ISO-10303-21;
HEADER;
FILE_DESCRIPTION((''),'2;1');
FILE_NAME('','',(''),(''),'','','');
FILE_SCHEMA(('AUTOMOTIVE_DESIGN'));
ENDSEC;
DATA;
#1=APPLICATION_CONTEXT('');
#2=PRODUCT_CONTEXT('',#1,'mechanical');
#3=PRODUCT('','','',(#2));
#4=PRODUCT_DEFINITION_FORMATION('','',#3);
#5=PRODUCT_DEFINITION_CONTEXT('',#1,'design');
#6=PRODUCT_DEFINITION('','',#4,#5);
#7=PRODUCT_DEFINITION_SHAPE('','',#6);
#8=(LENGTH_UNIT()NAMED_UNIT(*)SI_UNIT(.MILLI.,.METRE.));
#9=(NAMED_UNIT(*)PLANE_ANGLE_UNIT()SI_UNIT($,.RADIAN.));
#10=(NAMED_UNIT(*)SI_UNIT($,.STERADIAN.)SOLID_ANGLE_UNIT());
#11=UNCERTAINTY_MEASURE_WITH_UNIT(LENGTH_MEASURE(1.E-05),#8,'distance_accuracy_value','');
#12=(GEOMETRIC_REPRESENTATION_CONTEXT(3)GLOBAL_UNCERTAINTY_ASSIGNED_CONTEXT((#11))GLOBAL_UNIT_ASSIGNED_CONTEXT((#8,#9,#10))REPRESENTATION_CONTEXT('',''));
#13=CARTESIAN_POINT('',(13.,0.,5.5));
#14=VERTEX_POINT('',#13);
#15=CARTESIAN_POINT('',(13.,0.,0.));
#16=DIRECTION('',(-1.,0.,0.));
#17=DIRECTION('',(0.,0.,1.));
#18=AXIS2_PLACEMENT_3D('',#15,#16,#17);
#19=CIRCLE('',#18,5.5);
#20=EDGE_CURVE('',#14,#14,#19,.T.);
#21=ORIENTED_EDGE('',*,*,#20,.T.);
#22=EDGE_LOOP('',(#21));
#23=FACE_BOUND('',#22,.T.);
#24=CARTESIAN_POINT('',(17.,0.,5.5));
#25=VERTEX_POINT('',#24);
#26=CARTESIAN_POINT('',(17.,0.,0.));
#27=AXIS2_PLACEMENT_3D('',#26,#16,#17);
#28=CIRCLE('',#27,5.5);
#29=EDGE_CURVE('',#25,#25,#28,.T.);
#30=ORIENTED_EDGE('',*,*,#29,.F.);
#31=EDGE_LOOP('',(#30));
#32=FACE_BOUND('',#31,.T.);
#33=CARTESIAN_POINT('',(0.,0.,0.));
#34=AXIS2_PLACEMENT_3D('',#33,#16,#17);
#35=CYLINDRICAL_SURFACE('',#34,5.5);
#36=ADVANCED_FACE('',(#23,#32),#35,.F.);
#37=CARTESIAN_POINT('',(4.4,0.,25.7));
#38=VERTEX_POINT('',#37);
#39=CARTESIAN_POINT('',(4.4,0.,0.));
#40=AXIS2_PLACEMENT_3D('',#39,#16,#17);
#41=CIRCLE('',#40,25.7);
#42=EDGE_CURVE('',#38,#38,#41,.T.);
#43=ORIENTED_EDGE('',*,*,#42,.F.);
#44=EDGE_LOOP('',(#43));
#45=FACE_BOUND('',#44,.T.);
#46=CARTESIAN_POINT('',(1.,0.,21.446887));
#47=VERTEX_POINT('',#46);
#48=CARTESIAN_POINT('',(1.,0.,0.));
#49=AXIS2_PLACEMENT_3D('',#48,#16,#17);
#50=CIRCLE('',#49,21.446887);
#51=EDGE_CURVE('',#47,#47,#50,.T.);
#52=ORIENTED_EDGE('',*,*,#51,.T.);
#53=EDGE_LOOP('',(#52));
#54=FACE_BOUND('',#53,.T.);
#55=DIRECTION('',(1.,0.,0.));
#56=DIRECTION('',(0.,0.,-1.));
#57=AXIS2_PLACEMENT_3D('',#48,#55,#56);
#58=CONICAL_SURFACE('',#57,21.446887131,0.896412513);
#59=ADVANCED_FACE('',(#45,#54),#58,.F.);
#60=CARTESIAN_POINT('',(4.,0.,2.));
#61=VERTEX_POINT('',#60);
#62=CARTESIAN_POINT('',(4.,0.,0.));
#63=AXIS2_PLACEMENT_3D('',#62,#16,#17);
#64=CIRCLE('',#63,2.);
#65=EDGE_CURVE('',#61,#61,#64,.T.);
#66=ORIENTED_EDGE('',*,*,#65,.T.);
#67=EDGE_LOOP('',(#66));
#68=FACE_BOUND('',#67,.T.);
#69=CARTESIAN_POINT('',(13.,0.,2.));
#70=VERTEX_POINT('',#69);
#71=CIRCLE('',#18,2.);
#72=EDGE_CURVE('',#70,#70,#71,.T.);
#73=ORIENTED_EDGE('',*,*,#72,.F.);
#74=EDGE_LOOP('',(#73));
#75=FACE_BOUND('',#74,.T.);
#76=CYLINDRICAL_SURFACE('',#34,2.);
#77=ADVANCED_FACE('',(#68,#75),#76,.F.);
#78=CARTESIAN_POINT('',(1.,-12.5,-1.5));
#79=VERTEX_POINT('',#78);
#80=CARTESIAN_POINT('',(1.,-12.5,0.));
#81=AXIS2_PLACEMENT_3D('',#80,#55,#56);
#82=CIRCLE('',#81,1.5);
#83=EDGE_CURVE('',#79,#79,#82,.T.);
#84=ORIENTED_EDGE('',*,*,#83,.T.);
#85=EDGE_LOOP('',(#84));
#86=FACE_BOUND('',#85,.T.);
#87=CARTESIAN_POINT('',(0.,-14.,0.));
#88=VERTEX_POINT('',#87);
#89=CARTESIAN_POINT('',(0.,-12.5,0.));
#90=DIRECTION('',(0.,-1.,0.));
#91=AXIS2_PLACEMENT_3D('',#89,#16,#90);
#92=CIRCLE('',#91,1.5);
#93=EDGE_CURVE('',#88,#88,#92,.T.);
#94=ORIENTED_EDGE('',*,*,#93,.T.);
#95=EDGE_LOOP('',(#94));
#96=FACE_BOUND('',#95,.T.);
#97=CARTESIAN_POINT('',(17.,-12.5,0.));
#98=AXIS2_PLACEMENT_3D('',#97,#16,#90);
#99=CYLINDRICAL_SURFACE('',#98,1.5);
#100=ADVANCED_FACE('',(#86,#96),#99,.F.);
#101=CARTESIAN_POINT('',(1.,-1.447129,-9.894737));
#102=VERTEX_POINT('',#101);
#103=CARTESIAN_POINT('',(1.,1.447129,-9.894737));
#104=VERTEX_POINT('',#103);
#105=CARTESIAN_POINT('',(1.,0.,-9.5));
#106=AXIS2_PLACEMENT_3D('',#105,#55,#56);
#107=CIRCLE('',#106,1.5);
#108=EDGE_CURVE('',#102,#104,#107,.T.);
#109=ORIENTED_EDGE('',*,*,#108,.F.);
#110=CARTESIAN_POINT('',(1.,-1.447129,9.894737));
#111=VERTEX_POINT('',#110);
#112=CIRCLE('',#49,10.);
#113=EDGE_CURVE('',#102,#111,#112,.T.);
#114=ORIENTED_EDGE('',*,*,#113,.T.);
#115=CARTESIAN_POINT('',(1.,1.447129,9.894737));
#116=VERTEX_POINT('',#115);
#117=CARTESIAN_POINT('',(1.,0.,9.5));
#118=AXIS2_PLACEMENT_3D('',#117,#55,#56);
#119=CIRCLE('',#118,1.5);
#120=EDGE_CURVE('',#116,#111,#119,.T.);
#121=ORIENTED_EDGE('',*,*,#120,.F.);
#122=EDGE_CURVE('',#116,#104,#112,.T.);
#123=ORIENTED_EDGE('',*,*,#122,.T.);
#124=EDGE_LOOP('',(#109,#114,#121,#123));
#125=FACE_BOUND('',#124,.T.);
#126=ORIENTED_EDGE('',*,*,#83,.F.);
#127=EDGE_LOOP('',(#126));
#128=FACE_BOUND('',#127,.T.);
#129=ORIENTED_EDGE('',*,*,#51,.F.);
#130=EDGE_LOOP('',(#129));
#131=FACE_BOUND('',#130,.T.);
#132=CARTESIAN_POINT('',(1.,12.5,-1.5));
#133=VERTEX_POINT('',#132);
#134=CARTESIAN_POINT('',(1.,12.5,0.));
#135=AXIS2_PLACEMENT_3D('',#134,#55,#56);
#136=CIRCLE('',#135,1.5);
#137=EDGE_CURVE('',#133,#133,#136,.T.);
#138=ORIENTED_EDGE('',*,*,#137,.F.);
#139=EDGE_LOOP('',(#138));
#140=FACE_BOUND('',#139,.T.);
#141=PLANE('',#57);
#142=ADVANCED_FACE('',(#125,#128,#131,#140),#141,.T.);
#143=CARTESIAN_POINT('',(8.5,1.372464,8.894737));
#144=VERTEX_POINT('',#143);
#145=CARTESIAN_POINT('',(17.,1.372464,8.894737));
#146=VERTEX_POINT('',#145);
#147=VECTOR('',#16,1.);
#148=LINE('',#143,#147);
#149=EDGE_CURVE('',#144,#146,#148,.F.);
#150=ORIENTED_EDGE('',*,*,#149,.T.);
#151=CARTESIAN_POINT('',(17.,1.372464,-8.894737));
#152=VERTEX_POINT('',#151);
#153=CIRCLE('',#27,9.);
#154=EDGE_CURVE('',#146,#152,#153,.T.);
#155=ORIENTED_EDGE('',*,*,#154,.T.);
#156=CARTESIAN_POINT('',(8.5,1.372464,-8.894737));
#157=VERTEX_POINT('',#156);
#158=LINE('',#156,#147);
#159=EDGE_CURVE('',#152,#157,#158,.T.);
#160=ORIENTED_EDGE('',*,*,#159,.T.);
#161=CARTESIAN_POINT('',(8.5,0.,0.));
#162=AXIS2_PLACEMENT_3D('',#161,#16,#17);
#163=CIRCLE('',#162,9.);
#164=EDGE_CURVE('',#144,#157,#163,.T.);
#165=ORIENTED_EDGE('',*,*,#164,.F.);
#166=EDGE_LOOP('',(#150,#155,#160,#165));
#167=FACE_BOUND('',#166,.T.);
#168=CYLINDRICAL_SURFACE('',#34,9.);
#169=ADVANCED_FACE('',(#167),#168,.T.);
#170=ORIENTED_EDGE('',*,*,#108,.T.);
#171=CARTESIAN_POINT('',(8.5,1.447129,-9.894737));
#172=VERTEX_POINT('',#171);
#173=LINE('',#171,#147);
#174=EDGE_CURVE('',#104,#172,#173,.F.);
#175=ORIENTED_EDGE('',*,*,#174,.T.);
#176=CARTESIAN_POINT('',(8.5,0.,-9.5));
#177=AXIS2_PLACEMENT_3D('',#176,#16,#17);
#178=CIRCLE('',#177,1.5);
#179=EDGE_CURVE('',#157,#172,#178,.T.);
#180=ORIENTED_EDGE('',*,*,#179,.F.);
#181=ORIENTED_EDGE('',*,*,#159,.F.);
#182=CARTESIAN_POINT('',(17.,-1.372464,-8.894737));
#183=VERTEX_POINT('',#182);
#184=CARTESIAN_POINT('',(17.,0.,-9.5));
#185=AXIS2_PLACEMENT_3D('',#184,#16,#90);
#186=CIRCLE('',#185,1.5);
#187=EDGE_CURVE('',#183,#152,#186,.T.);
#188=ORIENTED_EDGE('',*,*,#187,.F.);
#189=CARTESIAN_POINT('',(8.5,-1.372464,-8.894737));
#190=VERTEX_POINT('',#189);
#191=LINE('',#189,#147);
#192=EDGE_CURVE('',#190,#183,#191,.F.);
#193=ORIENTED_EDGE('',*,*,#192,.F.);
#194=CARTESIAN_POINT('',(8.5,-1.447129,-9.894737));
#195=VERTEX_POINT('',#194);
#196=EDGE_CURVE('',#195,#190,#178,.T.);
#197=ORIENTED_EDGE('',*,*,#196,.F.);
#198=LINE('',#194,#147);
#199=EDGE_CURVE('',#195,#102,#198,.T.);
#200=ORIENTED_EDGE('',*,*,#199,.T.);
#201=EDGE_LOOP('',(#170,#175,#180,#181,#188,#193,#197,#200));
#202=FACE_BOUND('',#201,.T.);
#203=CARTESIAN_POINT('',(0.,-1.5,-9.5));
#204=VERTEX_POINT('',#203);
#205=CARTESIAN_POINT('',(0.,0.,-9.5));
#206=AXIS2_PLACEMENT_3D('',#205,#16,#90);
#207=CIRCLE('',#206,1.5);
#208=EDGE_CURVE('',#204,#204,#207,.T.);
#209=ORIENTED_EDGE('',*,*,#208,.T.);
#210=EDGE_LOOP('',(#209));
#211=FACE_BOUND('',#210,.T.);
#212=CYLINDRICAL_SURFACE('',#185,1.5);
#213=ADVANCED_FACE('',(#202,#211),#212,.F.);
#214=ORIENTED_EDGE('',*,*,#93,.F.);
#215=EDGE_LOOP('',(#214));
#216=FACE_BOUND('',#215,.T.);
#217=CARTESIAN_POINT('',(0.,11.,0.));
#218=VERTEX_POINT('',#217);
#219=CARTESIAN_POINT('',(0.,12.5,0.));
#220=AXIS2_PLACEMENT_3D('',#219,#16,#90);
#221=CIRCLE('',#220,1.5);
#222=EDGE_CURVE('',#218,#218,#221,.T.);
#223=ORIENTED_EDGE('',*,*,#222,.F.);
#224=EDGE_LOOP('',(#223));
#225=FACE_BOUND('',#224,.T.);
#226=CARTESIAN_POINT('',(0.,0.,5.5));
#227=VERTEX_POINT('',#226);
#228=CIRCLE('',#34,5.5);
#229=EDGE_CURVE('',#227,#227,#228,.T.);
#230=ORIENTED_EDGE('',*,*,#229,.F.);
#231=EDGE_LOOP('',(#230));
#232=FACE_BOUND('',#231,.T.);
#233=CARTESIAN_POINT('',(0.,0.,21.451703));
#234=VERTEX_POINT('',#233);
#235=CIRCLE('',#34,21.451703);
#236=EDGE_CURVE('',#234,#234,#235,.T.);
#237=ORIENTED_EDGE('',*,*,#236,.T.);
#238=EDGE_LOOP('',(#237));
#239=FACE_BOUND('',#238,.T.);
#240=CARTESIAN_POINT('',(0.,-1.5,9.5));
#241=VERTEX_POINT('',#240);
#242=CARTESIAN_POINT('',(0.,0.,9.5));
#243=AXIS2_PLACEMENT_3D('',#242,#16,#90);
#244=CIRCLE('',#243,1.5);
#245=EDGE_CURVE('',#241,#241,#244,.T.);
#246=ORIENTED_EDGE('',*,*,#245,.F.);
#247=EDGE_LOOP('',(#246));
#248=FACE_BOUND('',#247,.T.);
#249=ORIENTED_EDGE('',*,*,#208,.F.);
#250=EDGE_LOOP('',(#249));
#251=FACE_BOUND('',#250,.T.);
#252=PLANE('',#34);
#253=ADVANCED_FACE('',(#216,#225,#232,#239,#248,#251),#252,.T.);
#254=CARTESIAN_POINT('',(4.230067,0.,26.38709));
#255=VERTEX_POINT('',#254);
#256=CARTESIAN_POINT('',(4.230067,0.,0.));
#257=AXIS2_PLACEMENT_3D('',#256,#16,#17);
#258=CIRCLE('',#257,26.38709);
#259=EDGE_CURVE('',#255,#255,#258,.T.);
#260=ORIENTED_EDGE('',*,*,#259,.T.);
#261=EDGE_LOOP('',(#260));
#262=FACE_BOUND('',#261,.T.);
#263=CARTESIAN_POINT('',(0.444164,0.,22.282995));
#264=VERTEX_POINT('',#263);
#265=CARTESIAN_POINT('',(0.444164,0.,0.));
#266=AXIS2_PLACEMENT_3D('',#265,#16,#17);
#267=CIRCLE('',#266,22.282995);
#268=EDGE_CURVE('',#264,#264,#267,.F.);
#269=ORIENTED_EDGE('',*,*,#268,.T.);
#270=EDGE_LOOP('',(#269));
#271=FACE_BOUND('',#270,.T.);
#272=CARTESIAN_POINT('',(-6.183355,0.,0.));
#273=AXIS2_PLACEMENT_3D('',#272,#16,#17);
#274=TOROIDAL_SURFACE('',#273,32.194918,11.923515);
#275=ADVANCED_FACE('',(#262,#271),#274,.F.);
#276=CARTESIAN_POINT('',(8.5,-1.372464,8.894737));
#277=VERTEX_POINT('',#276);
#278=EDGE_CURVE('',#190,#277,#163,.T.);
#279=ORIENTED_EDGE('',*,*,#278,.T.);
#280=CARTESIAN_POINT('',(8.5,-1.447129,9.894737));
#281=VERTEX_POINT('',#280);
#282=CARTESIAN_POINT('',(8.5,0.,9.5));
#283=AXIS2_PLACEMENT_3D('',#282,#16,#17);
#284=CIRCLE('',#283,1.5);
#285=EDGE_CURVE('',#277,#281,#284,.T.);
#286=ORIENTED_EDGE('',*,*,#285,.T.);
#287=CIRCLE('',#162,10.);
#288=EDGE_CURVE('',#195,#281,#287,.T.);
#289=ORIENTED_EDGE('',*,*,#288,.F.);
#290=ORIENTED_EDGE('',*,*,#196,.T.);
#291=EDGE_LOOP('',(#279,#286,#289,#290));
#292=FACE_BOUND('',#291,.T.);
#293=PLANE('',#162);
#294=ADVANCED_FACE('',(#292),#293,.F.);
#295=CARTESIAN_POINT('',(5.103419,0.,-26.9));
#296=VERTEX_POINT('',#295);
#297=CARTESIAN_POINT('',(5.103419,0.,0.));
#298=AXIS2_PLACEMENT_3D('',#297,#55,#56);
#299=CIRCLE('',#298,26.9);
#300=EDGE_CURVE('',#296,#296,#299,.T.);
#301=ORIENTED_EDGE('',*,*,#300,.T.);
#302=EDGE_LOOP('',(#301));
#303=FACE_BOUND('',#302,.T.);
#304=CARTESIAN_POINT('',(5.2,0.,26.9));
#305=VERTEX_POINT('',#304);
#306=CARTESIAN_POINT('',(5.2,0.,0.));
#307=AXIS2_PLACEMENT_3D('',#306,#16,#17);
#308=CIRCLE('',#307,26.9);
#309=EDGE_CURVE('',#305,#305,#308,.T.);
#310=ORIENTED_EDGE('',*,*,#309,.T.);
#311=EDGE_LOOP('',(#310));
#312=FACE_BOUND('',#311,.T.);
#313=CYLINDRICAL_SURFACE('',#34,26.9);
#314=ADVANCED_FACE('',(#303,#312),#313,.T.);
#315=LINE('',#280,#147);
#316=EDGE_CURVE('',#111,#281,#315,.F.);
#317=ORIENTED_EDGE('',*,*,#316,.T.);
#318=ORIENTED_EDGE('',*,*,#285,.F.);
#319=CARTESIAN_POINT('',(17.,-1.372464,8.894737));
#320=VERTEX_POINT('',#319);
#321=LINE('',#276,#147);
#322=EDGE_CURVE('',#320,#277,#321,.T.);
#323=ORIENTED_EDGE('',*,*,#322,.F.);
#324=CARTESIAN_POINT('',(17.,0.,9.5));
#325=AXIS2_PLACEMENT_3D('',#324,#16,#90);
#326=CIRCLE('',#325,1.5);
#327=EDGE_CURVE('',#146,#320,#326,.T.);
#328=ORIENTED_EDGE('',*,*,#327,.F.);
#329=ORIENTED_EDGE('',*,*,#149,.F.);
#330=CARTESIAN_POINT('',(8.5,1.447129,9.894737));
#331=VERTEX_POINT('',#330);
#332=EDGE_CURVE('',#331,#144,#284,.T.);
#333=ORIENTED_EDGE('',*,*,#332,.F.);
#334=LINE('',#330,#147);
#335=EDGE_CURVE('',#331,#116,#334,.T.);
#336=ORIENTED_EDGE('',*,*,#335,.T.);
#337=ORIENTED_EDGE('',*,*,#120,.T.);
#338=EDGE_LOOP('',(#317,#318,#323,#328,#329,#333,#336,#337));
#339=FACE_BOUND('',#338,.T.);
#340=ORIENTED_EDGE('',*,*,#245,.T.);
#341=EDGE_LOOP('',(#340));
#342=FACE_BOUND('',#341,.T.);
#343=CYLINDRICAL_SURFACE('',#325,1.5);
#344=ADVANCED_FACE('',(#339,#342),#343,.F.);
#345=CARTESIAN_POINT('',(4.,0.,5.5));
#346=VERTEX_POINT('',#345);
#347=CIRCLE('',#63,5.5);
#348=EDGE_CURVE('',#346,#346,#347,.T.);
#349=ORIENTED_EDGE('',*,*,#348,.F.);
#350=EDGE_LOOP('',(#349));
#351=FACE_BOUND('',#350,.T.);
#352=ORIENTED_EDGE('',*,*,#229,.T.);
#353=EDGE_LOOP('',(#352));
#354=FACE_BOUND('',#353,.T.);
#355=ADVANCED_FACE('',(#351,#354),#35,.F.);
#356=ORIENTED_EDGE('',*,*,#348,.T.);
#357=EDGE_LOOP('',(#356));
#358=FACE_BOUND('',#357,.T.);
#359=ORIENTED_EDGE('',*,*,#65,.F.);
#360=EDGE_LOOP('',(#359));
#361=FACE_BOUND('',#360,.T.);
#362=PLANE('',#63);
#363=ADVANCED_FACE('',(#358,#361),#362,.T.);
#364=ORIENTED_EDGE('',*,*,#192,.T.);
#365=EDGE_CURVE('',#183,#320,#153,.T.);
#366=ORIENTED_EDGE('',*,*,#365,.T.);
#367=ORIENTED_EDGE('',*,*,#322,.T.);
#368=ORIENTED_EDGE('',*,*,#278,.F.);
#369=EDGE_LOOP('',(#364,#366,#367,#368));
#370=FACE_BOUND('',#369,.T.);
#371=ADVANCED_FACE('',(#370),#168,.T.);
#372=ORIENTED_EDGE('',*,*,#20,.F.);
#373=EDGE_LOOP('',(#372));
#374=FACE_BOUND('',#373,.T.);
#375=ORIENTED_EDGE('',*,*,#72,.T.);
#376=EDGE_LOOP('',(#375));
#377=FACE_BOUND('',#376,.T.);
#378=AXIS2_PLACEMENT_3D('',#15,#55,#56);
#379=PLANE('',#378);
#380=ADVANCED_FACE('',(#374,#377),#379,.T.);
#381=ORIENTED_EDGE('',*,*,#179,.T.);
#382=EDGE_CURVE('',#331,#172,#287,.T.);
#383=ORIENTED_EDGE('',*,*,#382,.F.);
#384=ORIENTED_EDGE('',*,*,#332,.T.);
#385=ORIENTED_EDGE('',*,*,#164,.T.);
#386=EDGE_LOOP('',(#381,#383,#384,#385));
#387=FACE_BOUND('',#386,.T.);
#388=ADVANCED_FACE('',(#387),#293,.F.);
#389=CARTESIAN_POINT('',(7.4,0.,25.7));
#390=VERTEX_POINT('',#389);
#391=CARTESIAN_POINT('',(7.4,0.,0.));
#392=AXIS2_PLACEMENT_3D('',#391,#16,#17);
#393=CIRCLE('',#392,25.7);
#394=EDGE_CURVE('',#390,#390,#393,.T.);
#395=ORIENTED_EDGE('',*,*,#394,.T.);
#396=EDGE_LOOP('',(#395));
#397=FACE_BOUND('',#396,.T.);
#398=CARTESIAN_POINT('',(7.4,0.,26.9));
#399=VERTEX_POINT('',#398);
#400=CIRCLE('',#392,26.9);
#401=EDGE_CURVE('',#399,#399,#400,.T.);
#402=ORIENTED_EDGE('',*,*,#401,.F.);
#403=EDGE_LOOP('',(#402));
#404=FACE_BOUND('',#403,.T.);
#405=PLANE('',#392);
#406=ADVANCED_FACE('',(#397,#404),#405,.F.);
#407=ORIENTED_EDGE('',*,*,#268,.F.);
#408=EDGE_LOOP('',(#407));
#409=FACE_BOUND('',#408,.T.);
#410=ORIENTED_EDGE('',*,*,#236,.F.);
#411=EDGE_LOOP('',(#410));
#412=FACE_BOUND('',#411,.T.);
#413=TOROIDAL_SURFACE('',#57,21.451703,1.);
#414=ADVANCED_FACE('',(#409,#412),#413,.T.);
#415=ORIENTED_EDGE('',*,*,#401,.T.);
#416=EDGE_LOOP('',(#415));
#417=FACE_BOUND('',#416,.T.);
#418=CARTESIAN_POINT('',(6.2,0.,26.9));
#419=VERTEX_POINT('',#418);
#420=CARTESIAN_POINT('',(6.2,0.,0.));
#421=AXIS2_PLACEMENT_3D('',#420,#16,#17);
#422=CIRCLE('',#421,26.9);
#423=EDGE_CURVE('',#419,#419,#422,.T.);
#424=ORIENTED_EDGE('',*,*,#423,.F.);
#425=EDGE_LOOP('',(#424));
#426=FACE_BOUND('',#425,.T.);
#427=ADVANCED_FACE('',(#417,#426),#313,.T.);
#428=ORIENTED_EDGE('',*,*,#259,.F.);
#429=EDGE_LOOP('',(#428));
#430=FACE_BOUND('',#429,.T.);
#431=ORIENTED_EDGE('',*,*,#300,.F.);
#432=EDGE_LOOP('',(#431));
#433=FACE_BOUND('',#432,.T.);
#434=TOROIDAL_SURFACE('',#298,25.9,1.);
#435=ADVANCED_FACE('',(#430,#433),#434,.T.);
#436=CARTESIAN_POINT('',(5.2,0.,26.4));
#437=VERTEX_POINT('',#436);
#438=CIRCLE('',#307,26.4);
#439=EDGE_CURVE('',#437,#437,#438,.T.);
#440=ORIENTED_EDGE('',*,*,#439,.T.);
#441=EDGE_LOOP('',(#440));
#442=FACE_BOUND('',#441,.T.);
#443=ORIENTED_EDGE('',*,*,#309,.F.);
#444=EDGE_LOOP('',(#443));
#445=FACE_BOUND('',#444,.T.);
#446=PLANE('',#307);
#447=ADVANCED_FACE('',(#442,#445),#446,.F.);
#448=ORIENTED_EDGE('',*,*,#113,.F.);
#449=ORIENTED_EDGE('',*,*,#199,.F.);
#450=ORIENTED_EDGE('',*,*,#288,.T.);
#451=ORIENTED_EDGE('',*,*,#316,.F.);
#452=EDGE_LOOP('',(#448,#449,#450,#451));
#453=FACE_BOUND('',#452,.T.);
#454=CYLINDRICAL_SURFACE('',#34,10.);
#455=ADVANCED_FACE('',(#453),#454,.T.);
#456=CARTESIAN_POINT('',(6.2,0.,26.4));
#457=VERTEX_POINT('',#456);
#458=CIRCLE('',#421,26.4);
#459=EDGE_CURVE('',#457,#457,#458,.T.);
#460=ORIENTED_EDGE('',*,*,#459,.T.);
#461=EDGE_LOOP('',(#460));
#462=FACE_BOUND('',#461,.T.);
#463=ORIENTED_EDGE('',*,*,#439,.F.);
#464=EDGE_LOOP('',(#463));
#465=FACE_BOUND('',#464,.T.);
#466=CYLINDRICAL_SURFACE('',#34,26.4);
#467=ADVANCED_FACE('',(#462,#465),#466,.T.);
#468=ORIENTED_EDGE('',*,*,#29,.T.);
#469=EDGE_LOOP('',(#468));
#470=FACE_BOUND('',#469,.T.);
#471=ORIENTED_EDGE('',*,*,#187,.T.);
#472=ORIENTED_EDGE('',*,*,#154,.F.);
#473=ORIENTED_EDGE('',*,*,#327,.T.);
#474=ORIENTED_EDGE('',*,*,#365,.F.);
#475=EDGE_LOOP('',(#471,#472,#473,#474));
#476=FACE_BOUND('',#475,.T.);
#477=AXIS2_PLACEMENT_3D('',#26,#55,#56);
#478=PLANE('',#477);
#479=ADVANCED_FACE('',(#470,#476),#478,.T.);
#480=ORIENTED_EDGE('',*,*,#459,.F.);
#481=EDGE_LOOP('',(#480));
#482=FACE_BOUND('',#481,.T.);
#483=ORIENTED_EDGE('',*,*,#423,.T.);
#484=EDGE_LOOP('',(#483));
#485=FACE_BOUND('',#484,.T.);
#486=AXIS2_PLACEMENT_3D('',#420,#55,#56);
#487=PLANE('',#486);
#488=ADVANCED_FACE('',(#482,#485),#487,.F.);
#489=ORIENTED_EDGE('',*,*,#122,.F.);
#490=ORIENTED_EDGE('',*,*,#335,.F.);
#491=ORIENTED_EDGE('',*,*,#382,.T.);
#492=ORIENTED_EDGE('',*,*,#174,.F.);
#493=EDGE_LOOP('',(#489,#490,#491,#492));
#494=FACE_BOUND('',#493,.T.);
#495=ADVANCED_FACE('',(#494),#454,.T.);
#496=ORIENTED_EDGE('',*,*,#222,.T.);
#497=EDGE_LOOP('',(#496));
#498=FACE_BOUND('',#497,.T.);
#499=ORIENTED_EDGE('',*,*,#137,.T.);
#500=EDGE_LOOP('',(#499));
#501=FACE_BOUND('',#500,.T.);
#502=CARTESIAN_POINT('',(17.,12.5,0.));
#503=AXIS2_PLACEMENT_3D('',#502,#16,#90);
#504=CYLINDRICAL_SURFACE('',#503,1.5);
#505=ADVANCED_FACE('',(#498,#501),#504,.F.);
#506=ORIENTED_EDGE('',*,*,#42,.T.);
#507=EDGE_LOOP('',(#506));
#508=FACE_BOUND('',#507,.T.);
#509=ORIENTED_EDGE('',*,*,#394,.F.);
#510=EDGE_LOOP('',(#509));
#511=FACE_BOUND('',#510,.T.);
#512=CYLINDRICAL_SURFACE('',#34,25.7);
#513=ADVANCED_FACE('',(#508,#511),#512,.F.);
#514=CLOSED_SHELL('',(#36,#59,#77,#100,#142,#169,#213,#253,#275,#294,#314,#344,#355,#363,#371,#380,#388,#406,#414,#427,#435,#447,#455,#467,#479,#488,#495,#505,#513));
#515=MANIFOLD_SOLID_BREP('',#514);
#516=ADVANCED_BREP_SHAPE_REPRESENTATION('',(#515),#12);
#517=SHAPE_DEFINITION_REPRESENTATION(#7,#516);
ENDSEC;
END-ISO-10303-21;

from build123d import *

# Parameters (mm, degrees)
FILLET1_R          = 1
SKETCH3_R          = 1.5
CUT_EXTRUDE2_DEPTH = 42.667973917


with BuildPart() as part:
    # Sketch1 → Revolve1 (revolve)
    with BuildSketch(Plane.XY, mode=Mode.PRIVATE) as revolve1_sk:
        with BuildLine():
            Line((4, 2), (4, 5.5))
            Line((4, 5.5), (0, 5.5))
            Line((0, 5.5), (0, 22))
            ThreePointArc((0, 22), (2.598670777, 24.129792144), (4.5, 26.9))
            Line((4.5, 26.9), (5.2, 26.9))
            Line((5.2, 26.9), (5.2, 26.4))
            Line((5.2, 26.4), (6.2, 26.4))
            Line((6.2, 26.4), (6.2, 26.9))
            Line((6.2, 26.9), (7.4, 26.9))
            Line((7.4, 26.9), (7.4, 25.7))
            Line((7.4, 25.7), (4.4, 25.7))
            Line((4.4, 25.7), (1, 21.446887131))
            Line((1, 21.446887131), (1, 10))
            Line((1, 10), (8.5, 10))
            Line((8.5, 10), (8.5, 9))
            Line((8.5, 9), (17, 9))
            Line((17, 9), (17, 5.5))
            Line((17, 5.5), (13, 5.5))
            Line((13, 5.5), (13, 2))
            Line((13, 2), (4, 2))
        make_face()
    revolve(revolve1_sk.sketch.rotate(Axis((0, 0, 0), (1, 0, 0)), 90), axis=Axis((0, 0, 0), (1, 0, 0)))

    # Fillet1
    fillet1_edges = [part.edges().sort_by_distance(p)[0] for p in [
        (4.5, 0, -26.9),
        (0, 0, -22),
    ]]
    fillet(fillet1_edges, radius=FILLET1_R)

    # Sketch3 → Cut-Extrude2 (cut, through all)
    with BuildSketch(Plane.ZY):
        with Locations(Location((-9.5, 0, 0), (0, 0, 270))):
            Circle(SKETCH3_R)
        with Locations(Location((0, 12.5, 0), (0, 0, 270))):
            Circle(SKETCH3_R)
        with Locations(Location((9.5, 0, 0), (0, 0, 270))):
            Circle(SKETCH3_R)
        with Locations(Location((0, -12.5, 0), (0, 0, 270))):
            Circle(SKETCH3_R)
    extrude(amount=-CUT_EXTRUDE2_DEPTH, mode=Mode.SUBTRACT)


solid = part.part
